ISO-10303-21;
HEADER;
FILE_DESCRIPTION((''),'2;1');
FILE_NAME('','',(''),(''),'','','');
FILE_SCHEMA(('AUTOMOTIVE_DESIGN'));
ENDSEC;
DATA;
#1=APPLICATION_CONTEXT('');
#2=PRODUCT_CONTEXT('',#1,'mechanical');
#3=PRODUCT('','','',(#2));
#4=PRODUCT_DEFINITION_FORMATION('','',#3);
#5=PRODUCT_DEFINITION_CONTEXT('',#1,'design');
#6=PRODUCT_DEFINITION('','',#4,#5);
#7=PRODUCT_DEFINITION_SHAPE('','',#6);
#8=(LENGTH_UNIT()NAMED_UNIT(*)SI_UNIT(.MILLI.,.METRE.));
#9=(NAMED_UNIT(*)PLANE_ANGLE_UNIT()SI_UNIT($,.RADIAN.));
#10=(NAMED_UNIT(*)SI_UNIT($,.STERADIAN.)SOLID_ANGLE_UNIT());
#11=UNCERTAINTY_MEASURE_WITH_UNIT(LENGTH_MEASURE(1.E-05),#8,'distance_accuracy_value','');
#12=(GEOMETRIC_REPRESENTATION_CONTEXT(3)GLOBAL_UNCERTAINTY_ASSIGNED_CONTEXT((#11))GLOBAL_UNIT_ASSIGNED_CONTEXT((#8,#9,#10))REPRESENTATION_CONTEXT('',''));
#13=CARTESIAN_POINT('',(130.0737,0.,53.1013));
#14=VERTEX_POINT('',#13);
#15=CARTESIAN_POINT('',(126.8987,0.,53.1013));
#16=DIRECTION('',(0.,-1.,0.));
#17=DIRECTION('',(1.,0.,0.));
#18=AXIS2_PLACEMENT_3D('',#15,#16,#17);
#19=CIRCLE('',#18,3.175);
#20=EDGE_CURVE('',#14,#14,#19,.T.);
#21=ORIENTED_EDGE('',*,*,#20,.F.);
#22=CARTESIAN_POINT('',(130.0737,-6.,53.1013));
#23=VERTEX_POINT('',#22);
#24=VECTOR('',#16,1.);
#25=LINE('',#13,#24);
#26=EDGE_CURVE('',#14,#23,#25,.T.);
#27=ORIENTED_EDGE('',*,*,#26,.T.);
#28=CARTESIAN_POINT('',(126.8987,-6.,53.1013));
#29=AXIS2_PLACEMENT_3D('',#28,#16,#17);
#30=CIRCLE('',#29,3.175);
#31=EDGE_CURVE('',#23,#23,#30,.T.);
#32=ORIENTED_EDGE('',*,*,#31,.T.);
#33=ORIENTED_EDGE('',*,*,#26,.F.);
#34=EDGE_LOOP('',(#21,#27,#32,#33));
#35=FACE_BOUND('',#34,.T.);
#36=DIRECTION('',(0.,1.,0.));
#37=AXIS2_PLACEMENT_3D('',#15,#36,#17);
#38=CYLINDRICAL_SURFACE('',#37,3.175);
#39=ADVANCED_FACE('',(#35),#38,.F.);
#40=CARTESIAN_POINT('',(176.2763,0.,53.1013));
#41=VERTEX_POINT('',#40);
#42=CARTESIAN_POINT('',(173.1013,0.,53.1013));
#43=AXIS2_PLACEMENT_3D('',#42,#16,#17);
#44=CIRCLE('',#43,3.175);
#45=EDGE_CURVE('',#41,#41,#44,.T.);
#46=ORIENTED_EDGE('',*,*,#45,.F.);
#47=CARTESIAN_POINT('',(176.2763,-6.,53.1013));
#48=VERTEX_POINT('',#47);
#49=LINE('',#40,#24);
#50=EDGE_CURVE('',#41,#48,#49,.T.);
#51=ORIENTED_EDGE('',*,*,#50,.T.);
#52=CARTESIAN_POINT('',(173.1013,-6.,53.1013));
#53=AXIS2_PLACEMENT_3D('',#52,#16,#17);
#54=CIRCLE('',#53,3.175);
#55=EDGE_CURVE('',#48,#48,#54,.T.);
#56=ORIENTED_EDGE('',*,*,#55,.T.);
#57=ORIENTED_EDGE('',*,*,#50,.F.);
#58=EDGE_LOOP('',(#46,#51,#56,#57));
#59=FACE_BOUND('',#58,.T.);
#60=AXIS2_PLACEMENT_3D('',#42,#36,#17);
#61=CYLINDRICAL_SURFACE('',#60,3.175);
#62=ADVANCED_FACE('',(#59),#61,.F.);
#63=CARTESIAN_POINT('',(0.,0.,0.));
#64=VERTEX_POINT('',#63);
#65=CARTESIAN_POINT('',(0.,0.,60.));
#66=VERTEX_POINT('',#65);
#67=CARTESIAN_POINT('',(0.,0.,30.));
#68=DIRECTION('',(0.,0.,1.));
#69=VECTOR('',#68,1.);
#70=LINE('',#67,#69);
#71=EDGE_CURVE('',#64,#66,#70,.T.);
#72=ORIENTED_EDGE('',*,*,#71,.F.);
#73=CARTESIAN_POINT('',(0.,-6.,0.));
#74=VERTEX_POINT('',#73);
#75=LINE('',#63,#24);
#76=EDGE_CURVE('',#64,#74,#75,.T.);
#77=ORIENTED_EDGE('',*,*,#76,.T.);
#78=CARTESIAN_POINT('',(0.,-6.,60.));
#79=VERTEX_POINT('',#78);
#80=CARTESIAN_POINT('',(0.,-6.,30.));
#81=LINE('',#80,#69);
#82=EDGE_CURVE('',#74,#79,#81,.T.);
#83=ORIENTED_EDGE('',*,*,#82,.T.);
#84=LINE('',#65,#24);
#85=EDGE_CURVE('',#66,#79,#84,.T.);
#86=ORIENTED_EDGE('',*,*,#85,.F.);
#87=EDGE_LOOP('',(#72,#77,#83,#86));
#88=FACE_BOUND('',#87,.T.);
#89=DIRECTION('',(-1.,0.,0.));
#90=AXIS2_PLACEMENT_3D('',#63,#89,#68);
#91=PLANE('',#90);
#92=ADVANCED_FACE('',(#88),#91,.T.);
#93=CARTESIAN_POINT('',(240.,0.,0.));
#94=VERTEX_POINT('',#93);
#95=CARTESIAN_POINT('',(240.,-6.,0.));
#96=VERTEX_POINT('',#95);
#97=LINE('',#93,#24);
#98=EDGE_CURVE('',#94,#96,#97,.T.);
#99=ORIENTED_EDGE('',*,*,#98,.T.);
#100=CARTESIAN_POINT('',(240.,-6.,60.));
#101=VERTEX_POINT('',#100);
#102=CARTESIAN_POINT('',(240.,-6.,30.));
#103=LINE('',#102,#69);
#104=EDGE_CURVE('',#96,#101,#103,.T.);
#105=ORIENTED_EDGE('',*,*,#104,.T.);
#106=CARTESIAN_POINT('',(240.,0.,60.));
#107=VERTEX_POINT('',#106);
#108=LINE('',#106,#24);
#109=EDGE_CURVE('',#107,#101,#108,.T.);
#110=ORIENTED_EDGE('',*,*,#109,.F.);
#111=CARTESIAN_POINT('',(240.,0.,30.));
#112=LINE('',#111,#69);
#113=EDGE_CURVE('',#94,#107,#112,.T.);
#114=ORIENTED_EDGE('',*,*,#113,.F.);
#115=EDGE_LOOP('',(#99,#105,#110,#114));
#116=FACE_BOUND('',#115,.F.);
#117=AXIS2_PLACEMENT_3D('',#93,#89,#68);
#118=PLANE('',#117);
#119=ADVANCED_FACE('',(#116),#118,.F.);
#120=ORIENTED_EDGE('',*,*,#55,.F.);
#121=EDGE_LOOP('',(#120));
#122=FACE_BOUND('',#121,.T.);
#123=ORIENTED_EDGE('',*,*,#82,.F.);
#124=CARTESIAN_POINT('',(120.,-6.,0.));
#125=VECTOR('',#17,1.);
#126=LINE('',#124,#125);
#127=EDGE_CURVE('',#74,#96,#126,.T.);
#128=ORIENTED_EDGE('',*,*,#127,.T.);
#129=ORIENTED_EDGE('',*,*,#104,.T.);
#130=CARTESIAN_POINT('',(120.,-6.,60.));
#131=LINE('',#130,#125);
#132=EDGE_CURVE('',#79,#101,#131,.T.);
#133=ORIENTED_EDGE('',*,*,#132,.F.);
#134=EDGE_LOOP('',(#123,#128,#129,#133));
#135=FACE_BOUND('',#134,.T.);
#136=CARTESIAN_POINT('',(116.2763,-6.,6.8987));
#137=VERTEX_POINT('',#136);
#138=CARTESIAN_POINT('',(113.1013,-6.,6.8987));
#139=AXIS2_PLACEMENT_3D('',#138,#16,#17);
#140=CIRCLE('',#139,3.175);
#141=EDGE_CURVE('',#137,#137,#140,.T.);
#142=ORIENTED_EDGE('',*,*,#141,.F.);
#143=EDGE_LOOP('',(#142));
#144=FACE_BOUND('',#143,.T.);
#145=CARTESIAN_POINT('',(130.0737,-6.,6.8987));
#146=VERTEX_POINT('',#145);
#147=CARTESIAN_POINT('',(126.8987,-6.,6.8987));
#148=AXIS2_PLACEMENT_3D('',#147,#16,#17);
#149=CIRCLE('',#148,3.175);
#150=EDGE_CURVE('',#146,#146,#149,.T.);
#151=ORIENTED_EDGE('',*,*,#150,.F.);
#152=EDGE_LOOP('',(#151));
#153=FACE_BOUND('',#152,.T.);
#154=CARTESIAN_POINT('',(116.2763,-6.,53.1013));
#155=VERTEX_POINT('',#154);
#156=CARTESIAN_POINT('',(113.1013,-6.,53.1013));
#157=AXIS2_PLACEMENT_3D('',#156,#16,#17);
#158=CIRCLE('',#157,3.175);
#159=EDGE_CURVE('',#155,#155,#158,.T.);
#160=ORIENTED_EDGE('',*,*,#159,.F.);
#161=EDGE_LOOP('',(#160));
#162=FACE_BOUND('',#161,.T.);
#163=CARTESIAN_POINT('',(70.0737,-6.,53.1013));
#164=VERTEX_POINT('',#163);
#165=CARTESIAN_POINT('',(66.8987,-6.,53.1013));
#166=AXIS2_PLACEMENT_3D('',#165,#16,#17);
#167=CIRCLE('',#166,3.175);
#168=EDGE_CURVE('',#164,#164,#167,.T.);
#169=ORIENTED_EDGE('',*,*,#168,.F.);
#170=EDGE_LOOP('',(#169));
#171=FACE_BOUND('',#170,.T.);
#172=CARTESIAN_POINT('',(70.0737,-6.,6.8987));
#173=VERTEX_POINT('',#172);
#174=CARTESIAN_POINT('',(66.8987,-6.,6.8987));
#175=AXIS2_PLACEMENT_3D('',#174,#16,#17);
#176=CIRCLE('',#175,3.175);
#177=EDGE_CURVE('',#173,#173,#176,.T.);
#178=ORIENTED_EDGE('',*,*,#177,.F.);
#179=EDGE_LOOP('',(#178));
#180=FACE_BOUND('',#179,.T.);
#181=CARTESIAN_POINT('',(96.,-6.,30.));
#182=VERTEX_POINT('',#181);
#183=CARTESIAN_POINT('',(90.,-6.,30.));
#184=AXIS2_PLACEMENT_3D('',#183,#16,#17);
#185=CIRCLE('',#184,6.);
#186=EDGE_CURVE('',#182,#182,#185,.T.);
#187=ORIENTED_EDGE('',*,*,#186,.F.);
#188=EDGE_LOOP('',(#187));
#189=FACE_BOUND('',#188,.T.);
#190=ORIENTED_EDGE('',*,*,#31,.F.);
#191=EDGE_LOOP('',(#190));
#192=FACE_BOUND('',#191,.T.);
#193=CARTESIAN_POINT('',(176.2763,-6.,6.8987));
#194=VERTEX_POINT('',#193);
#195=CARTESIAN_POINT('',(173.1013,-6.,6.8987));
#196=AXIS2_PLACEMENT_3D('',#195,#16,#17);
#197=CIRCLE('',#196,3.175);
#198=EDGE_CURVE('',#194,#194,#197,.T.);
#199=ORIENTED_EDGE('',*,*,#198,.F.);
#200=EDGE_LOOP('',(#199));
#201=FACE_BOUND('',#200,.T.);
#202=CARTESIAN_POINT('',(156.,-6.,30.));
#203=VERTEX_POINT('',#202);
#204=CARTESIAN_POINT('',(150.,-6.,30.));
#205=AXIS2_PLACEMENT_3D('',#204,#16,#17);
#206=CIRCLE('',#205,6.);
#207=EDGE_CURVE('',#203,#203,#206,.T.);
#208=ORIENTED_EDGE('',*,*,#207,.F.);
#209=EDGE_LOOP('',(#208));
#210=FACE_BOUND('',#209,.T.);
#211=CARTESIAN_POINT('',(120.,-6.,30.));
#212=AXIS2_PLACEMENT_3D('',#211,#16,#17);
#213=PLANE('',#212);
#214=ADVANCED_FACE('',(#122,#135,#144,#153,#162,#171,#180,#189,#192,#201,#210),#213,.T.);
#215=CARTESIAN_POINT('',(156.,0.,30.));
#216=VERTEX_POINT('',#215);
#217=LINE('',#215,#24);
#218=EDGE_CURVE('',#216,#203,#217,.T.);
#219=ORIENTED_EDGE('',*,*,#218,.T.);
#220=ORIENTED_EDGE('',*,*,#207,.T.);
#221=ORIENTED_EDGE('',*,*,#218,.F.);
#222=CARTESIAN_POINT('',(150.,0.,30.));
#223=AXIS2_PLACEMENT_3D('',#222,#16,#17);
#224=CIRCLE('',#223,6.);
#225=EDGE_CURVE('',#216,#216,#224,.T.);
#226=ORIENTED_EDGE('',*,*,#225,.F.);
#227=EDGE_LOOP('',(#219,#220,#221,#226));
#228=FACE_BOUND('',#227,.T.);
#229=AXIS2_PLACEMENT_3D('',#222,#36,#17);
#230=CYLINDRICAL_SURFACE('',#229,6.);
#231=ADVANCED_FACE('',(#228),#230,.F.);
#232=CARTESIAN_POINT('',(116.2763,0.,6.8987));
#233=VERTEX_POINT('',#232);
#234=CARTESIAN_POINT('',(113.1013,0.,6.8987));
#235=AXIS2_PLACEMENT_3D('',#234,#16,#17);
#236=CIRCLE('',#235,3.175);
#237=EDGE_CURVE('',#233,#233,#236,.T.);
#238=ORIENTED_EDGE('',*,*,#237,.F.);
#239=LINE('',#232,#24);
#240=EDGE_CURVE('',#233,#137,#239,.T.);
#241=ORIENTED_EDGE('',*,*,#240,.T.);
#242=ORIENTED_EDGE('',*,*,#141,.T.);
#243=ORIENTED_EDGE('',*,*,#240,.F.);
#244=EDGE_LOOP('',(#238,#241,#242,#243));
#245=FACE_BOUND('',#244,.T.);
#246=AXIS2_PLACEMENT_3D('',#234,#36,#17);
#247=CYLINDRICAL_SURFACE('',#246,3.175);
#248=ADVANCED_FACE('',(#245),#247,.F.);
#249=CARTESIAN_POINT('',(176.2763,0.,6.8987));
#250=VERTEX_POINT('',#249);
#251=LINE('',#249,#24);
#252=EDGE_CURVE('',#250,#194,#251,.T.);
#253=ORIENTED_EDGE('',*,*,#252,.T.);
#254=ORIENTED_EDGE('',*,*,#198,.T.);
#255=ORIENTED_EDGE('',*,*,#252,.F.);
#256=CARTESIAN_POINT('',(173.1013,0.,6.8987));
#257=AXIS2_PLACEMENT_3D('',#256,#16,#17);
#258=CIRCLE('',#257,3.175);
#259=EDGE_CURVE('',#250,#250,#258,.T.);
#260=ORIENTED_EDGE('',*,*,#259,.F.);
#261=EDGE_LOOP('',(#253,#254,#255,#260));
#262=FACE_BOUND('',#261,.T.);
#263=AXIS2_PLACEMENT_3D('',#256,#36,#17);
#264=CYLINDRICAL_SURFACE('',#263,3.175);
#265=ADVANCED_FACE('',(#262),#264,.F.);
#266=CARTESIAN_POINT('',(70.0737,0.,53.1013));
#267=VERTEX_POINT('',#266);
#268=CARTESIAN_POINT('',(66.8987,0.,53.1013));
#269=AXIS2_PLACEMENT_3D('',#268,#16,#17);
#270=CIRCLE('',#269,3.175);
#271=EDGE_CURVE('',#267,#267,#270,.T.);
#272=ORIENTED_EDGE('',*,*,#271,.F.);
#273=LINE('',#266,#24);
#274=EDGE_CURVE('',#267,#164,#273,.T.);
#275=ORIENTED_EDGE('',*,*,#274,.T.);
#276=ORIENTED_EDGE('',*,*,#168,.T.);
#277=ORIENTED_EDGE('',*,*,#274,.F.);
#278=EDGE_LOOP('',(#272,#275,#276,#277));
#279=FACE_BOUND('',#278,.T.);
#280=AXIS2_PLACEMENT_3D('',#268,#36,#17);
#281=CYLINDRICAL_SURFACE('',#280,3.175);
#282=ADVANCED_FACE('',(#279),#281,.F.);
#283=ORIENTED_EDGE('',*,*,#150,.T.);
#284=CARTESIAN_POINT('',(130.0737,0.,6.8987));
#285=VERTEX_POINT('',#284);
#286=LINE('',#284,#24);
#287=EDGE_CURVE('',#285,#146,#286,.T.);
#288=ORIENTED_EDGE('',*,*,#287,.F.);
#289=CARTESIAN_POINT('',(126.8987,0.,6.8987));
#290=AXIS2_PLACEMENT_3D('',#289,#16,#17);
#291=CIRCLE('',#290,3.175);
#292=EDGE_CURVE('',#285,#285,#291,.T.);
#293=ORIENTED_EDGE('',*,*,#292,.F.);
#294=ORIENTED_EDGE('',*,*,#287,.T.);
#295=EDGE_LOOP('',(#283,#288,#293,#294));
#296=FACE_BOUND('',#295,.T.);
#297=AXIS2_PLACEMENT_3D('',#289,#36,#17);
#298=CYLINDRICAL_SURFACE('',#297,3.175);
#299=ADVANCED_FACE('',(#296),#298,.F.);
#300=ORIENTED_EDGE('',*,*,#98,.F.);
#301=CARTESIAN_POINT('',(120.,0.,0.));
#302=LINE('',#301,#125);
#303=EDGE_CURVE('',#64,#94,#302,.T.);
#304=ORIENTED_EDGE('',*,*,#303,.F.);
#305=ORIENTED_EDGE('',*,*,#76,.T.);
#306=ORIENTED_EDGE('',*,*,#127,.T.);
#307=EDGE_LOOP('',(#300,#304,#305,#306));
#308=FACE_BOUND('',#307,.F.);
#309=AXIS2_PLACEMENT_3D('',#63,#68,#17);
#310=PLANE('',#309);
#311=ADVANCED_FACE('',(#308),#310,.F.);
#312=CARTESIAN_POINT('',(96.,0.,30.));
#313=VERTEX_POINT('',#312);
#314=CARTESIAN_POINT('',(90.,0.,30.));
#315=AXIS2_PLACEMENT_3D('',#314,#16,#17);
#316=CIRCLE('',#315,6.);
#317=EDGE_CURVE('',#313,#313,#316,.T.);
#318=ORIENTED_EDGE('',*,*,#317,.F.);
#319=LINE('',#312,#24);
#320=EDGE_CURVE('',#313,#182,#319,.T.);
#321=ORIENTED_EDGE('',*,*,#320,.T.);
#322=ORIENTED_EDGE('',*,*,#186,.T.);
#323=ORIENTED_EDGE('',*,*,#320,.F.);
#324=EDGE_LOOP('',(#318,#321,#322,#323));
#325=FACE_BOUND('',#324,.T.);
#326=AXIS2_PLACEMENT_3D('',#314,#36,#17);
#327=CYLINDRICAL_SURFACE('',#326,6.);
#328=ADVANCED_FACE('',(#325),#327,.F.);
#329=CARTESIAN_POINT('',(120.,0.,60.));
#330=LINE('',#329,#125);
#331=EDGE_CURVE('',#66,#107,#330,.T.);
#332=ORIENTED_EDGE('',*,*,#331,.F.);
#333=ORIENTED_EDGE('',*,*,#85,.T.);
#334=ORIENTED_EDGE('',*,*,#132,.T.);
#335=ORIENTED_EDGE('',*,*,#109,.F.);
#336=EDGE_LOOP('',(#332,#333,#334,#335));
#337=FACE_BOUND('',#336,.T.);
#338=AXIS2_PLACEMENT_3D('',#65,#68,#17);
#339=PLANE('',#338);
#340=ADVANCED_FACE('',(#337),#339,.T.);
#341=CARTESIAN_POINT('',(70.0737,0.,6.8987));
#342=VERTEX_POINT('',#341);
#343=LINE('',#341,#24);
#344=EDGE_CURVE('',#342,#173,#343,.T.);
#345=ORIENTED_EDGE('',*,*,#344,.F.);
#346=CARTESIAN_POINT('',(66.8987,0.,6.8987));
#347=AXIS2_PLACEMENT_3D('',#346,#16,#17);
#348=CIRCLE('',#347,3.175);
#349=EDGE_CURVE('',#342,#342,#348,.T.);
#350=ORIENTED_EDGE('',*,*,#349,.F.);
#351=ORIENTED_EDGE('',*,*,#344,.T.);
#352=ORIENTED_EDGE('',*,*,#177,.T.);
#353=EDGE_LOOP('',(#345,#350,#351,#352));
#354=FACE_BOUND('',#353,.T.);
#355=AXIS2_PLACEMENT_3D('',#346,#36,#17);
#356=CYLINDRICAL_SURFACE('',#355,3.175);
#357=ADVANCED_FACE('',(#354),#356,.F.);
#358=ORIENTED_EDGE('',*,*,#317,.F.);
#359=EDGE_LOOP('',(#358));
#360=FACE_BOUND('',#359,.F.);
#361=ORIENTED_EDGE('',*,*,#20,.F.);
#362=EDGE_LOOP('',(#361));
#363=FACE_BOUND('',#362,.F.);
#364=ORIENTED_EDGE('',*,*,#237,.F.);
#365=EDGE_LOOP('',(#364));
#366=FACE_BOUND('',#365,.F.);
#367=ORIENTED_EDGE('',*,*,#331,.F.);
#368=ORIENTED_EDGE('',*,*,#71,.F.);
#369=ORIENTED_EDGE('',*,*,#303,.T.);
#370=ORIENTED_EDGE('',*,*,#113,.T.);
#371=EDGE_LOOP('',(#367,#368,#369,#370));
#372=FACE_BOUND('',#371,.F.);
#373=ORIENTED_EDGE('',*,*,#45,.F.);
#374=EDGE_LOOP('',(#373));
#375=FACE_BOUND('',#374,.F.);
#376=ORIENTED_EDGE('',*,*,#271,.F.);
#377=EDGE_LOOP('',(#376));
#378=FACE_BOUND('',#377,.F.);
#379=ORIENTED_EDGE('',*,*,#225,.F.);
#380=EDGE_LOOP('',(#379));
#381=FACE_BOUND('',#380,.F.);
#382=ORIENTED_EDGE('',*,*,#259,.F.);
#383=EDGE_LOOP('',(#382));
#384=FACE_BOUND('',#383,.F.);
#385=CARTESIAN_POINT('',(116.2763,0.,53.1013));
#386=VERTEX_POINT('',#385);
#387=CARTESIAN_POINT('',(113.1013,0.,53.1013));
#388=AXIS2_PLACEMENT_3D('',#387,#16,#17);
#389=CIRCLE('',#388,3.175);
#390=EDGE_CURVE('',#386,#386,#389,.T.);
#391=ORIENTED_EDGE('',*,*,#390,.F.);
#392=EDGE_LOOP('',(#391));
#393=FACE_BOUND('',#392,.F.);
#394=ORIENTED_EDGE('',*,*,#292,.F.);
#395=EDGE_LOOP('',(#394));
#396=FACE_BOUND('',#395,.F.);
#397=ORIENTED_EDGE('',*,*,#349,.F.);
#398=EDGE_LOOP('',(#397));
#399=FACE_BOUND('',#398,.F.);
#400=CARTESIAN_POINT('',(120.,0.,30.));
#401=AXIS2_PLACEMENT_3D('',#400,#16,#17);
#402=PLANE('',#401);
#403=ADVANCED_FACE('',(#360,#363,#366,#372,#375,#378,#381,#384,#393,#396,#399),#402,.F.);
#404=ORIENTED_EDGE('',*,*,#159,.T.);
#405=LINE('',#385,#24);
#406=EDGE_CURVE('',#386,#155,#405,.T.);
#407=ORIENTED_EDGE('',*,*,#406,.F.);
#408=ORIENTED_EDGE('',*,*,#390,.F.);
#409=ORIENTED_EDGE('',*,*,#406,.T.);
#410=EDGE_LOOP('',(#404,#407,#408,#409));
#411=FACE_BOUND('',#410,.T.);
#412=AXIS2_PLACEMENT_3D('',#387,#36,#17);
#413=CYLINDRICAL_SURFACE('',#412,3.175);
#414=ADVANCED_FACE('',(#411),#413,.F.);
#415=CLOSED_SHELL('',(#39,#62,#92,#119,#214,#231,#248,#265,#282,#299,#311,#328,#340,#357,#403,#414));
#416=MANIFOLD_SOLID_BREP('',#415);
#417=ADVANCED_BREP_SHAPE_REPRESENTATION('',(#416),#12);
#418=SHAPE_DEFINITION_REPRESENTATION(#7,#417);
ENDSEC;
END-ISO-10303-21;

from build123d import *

# Parameters (mm, degrees)
SKETCH_W   = 240
SKETCH_H   = 60
SKETCH_R   = 6
SKETCH_R_2 = 3.175
PAD_DEPTH  = 6


with BuildPart() as part:
    # Sketch → Pad (new body)
    with BuildSketch(Plane.XZ):
        with Locations((120, 30)):
            Rectangle(SKETCH_W, SKETCH_H)
        with Locations((90, 30)):
            Circle(SKETCH_R, mode=Mode.SUBTRACT)
        with Locations((113.1013, 53.1013)):
            Circle(SKETCH_R_2, mode=Mode.SUBTRACT)
        with Locations((66.8987, 53.1013)):
            Circle(SKETCH_R_2, mode=Mode.SUBTRACT)
        with Locations((66.8987, 6.8987)):
            Circle(SKETCH_R_2, mode=Mode.SUBTRACT)
        with Locations((113.1013, 6.8987)):
            Circle(SKETCH_R_2, mode=Mode.SUBTRACT)
        with Locations((150, 30)):
            Circle(SKETCH_R, mode=Mode.SUBTRACT)
        with Locations((173.1013, 53.1013)):
            Circle(SKETCH_R_2, mode=Mode.SUBTRACT)
        with Locations((126.8987, 53.1013)):
            Circle(SKETCH_R_2, mode=Mode.SUBTRACT)
        with Locations((126.8987, 6.8987)):
            Circle(SKETCH_R_2, mode=Mode.SUBTRACT)
        with Locations((173.1013, 6.8987)):
            Circle(SKETCH_R_2, mode=Mode.SUBTRACT)
    extrude(amount=PAD_DEPTH)


solid = part.part
